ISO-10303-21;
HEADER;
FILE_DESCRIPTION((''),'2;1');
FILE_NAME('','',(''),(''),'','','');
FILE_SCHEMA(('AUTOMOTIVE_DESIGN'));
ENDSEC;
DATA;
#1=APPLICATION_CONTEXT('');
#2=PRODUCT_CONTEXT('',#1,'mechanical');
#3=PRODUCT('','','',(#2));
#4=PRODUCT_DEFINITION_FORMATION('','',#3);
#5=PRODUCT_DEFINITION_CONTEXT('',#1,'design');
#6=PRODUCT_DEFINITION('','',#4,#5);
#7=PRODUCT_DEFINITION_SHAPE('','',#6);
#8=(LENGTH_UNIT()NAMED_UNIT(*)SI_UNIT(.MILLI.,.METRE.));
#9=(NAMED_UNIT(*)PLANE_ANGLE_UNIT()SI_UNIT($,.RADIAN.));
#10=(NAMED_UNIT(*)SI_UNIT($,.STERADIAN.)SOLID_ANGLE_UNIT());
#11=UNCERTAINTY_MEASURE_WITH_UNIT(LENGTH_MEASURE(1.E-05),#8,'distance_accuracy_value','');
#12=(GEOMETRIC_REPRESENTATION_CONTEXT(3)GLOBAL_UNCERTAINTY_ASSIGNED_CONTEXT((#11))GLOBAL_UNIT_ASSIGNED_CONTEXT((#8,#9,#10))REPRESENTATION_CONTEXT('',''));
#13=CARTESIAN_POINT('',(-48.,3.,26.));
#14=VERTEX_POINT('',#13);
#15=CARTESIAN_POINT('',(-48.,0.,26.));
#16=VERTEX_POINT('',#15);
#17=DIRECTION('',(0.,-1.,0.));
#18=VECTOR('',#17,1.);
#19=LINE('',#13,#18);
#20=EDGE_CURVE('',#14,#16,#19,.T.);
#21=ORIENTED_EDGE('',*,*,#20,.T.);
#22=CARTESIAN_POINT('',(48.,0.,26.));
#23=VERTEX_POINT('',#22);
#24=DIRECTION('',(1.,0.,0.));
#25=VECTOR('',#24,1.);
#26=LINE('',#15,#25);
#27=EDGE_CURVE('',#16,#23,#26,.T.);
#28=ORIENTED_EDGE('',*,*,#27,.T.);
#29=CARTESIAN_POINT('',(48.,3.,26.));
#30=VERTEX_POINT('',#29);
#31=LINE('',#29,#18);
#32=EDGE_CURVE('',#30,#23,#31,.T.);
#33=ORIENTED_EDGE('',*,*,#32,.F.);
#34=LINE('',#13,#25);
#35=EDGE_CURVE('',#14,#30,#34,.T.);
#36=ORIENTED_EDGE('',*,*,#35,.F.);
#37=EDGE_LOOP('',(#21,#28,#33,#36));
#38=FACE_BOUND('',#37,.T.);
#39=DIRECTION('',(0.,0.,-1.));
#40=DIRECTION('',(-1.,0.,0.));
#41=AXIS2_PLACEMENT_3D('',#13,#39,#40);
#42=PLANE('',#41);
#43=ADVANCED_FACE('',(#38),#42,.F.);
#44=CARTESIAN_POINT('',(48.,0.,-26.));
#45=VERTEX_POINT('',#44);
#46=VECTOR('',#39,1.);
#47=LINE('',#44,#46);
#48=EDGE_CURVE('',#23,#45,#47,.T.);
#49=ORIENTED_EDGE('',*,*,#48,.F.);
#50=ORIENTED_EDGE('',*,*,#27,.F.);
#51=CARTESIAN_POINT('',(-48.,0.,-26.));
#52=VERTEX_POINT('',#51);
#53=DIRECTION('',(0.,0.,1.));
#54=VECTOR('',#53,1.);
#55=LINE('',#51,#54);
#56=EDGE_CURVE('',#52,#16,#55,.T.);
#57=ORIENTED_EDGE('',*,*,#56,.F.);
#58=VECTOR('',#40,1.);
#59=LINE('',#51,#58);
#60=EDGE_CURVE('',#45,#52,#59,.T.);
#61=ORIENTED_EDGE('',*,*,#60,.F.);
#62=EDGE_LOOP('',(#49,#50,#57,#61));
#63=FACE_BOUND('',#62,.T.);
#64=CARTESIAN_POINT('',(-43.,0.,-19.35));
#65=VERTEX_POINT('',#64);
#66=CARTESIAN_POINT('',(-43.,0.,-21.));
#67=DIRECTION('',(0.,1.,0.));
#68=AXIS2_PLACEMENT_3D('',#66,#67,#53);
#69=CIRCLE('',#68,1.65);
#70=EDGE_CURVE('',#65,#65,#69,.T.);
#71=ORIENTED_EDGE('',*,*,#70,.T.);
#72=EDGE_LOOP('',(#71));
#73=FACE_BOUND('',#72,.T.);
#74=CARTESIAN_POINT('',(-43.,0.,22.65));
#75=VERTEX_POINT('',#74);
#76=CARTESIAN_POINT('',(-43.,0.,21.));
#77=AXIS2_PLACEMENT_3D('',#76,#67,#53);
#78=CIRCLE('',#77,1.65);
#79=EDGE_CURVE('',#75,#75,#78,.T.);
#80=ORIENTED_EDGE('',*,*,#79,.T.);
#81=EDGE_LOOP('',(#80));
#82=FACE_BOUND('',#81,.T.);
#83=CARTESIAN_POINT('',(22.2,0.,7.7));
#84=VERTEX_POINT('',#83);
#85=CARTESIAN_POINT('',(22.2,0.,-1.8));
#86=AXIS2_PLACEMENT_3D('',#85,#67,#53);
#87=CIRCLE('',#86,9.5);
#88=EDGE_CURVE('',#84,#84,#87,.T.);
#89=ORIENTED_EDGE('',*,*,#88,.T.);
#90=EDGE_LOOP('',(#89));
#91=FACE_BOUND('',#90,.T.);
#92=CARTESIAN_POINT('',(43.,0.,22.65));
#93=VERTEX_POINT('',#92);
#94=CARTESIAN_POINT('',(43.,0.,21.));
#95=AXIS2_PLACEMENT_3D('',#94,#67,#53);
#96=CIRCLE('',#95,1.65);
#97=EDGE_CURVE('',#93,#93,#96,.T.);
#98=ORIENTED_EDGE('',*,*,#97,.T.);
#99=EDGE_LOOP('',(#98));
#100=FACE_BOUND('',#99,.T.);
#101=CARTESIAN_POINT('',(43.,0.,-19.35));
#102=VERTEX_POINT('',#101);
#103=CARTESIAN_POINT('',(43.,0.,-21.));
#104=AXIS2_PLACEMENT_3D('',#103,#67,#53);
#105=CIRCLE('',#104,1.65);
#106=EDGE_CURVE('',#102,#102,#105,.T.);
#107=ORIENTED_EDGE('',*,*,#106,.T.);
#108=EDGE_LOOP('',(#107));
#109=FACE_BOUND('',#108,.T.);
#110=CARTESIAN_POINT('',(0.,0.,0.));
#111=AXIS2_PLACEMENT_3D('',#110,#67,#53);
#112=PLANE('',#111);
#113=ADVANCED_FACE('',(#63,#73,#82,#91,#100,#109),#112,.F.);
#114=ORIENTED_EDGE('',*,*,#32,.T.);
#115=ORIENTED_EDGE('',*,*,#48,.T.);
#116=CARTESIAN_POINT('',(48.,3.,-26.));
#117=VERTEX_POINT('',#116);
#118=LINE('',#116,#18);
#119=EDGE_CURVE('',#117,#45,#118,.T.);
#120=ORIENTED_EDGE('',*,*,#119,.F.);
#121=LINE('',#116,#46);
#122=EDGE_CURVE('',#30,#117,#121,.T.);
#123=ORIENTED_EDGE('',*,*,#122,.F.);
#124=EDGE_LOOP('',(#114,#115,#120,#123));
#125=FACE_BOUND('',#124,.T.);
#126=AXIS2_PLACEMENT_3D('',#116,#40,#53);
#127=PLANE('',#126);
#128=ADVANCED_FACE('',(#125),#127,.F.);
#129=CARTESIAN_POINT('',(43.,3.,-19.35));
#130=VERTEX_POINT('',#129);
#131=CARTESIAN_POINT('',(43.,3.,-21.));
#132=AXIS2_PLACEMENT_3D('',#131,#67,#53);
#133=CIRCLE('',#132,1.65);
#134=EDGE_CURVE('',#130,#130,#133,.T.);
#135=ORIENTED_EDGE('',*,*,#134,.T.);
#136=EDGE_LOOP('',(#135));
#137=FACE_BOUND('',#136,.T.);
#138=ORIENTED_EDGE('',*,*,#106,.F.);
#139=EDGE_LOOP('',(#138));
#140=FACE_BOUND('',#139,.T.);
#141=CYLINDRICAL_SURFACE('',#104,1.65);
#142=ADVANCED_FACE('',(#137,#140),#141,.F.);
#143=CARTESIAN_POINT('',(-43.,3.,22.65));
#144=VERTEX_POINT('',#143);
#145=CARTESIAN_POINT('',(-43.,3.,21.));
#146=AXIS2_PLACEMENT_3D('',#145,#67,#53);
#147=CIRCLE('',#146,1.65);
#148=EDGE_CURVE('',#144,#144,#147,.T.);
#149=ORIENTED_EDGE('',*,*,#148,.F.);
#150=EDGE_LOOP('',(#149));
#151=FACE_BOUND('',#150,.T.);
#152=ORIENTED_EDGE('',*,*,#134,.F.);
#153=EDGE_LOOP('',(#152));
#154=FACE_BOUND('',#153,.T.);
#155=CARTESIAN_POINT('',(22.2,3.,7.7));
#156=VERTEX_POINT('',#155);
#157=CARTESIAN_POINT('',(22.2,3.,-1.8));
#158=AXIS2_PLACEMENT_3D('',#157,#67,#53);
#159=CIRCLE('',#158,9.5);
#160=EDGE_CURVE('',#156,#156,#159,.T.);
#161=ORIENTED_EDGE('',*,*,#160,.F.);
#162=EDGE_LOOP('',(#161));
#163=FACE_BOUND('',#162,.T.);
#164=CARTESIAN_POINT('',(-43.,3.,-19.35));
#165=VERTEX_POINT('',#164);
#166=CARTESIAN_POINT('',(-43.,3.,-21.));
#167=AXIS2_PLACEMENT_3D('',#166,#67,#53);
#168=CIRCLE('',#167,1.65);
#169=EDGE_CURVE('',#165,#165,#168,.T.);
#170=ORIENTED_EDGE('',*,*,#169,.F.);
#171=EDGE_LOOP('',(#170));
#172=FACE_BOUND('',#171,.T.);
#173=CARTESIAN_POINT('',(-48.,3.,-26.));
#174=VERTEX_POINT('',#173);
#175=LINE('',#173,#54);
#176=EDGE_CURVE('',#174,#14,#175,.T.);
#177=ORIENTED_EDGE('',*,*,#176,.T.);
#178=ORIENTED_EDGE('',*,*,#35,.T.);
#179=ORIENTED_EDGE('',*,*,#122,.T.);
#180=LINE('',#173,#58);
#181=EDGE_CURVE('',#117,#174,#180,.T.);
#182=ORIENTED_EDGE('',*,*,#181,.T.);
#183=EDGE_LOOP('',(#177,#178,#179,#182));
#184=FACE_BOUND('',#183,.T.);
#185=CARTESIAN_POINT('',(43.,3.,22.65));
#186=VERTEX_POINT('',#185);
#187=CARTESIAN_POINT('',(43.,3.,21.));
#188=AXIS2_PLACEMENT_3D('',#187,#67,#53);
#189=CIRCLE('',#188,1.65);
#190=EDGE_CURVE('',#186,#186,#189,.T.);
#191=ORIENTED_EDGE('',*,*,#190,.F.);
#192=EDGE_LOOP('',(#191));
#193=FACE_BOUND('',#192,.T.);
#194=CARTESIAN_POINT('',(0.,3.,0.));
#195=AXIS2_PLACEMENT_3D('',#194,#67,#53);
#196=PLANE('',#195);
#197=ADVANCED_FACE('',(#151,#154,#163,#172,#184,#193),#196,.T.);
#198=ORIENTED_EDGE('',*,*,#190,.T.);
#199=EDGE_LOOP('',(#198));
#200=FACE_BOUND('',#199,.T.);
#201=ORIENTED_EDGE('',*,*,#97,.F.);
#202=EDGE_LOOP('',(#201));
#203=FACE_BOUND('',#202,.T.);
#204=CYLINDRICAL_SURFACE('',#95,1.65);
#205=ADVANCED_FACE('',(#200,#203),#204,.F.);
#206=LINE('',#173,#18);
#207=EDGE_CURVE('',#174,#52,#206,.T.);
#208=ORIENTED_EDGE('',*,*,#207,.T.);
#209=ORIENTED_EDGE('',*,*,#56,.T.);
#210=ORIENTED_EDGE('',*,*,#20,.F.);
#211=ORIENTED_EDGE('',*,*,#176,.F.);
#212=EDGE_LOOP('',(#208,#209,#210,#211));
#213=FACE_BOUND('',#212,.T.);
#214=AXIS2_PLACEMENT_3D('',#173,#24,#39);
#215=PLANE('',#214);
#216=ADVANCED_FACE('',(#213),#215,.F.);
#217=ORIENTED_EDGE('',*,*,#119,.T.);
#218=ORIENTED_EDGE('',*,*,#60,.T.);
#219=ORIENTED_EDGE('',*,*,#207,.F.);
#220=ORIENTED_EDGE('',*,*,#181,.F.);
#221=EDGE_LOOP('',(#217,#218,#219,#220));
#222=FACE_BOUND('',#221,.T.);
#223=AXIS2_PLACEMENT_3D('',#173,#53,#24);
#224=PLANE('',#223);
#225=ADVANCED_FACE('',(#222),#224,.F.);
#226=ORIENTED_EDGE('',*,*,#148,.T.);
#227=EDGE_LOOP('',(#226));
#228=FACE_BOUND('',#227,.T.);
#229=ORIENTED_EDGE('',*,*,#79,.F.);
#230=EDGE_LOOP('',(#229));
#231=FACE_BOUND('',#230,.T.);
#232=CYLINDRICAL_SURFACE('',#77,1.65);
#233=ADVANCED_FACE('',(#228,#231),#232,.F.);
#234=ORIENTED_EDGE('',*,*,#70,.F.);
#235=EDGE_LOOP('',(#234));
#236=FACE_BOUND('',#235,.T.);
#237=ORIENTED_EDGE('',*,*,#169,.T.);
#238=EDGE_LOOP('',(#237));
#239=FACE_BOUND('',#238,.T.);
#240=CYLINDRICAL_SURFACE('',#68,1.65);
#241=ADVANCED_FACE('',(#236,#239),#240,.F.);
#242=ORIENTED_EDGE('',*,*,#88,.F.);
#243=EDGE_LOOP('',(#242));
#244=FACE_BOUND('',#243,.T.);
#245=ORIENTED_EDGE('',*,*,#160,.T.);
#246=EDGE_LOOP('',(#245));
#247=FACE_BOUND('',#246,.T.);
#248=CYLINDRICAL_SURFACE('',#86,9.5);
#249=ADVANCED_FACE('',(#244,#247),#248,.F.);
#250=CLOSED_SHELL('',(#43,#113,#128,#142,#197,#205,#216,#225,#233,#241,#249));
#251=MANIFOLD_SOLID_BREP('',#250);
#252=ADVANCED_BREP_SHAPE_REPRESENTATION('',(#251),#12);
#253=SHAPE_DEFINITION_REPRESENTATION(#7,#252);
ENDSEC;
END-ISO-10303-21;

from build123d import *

# Parameters (mm, degrees)
SKETCH1_W           = 96
SKETCH1_H           = 52
BOSS_EXTRUDE1_DEPTH = 3
SKETCH2_R           = 1.65
SKETCH2_R_2         = 9.5
CUT_EXTRUDE1_DEPTH  = 3


with BuildPart() as part:
    # Sketch1 → Boss-Extrude1 (new body)
    with BuildSketch(Plane(origin=(0, 0, 0), x_dir=(1, 0, 0), z_dir=(0, 1, 0))):
        Rectangle(SKETCH1_W, SKETCH1_H)
    extrude(amount=BOSS_EXTRUDE1_DEPTH)

    # Sketch2 → Cut-Extrude1 (cut)
    with BuildSketch(Plane(origin=(0, 3, 0), x_dir=(1, 0, 0), z_dir=(0, 1, 0))):
        with Locations(Location((-43, 21, 0), (0, 0, 270))):
            Circle(SKETCH2_R)
        with Locations(Location((43, 21, 0), (0, 0, 270))):
            Circle(SKETCH2_R)
        with Locations(Location((43, -21, 0), (0, 0, 270))):
            Circle(SKETCH2_R)
        with Locations(Location((-43, -21, 0), (0, 0, 270))):
            Circle(SKETCH2_R)
        with Locations(Location((22.2, 1.8, 0), (0, 0, 270))):
            Circle(SKETCH2_R_2)
    extrude(amount=-CUT_EXTRUDE1_DEPTH, mode=Mode.SUBTRACT)


solid = part.part
